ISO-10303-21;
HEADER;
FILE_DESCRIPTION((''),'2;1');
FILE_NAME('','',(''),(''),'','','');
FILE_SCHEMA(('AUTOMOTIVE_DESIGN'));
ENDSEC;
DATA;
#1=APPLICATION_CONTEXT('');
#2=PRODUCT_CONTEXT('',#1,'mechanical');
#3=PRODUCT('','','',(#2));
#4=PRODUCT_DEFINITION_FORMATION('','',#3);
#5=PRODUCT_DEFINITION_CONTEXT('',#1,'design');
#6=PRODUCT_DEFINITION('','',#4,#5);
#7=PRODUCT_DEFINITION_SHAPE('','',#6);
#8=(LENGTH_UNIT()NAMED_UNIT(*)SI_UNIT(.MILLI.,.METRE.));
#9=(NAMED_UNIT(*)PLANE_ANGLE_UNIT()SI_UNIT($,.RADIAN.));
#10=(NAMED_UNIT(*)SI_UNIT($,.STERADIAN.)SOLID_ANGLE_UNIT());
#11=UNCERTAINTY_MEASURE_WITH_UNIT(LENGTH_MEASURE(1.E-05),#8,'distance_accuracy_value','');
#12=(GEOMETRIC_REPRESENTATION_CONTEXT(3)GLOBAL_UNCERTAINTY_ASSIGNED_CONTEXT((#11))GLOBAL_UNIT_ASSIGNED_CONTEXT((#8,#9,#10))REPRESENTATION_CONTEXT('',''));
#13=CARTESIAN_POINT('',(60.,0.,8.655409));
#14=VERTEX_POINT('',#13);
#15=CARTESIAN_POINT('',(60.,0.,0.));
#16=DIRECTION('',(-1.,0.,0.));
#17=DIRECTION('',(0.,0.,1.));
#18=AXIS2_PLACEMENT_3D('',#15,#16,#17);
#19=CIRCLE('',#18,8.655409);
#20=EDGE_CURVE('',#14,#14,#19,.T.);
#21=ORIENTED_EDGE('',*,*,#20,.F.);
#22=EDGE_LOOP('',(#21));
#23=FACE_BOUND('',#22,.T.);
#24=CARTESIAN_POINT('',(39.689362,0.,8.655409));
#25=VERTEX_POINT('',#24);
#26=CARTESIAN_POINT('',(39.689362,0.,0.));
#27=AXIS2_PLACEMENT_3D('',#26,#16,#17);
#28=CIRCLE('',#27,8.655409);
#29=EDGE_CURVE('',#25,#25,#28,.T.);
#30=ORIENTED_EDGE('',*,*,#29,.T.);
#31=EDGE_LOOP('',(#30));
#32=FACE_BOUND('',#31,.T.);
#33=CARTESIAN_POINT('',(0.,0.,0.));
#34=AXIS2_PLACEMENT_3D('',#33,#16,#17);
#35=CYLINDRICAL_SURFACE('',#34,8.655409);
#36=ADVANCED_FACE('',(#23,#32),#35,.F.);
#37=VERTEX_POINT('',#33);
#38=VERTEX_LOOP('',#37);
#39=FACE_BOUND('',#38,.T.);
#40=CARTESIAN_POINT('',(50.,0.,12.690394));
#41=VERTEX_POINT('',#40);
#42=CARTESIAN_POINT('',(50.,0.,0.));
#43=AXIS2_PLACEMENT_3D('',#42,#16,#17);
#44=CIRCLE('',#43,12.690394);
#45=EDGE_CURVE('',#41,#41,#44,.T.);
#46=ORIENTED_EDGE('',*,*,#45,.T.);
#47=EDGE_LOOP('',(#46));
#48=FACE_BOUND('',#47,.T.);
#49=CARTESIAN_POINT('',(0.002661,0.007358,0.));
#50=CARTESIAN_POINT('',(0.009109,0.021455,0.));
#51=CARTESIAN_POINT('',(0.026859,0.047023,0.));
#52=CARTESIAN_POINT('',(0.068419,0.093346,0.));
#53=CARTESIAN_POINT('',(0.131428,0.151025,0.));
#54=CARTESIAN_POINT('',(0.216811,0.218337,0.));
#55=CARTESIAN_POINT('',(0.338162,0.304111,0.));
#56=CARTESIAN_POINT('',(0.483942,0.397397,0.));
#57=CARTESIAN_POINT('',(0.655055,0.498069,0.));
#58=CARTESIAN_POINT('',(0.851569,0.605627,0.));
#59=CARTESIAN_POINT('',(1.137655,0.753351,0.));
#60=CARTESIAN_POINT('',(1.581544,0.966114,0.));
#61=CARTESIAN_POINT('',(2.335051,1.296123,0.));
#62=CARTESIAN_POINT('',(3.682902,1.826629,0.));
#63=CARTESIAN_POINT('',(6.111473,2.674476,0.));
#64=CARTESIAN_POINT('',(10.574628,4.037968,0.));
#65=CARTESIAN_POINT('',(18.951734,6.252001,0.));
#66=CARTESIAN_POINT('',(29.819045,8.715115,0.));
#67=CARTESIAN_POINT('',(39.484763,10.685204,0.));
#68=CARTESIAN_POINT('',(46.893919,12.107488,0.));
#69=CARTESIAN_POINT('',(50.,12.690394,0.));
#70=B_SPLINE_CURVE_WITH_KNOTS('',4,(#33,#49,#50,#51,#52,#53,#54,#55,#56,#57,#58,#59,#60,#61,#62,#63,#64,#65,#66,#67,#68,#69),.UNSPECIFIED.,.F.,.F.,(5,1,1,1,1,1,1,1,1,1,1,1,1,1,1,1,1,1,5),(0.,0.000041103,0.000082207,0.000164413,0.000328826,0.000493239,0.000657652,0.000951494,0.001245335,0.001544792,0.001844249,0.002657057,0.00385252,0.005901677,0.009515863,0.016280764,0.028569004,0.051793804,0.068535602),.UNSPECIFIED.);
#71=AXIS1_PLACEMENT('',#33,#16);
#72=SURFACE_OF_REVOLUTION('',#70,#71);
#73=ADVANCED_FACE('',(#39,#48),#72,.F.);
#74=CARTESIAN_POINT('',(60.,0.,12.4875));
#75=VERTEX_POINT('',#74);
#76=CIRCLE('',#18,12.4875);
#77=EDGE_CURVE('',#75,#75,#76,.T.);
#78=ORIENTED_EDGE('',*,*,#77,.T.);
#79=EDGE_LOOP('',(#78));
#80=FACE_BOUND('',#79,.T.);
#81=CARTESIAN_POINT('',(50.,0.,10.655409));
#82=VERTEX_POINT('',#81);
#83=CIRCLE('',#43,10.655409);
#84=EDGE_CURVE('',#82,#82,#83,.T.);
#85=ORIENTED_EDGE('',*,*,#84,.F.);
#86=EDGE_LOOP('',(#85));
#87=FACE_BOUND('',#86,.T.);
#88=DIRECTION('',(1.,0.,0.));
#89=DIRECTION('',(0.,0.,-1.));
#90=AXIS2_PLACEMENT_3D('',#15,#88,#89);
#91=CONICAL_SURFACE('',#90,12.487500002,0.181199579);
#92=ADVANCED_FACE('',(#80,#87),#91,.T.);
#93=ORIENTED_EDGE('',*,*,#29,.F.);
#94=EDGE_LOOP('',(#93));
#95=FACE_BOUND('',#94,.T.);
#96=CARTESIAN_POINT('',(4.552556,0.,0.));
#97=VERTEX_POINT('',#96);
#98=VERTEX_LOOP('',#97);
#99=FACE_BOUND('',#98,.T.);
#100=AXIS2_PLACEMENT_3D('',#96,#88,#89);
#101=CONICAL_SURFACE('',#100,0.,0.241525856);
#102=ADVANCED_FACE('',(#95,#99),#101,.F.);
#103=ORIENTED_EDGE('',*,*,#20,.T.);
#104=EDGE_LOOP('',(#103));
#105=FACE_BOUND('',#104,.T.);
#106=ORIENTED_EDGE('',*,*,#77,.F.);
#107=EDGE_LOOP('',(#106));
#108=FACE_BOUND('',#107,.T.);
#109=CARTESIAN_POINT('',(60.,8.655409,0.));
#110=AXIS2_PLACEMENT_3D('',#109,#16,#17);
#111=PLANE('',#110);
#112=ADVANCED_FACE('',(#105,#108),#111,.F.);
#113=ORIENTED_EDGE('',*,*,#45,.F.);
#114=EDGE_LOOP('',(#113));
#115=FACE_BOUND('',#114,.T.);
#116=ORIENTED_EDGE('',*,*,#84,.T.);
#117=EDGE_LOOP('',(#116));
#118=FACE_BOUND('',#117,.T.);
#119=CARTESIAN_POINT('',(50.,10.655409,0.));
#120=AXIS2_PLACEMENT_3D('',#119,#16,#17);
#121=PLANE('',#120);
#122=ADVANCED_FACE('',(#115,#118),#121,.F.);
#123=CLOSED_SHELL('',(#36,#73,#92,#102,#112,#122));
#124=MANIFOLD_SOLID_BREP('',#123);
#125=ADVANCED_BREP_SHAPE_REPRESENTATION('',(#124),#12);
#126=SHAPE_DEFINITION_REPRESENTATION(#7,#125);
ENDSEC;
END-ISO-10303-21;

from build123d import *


with BuildPart() as part:
    # Sketch3 → Revolve2 (revolve)
    with BuildSketch(Plane.XY, mode=Mode.PRIVATE) as revolve2_sk:
        with BuildLine():
            Line((60, 8.655408996), (60, 12.487500002))
            Line((60, 12.487500002), (50, 10.655408996))
            Line((50, 10.655408996), (50, 12.690393655))
            add(Edge.make_bspline(
                [(0, 0), (0.002661369, 0.00735768), (0.009108664, 0.021455176), (0.026858739, 0.047022825), (0.06841925, 0.093346235), (0.131428409, 0.1510252), (0.216810716, 0.21833703), (0.338162364, 0.304110587), (0.48394243, 0.397396692), (0.655054985, 0.498068807), (0.851568565, 0.605626998), (1.137654509, 0.753350528), (1.581543682, 0.966113556), (2.335050733, 1.296122672), (3.682901567, 1.826629283), (6.111473252, 2.674476309), (10.574628301, 4.037968264), (18.951733743, 6.252001296), (29.81904523, 8.715114583), (39.484763039, 10.685203545), (46.893919131, 12.107488124), (50, 12.690393655)],
                knots=[0, 0, 0, 0, 0, 4.1103e-05, 8.2207e-05, 0.000164413, 0.000328826, 0.000493239, 0.000657652, 0.000951494, 0.001245335, 0.001544792, 0.001844249, 0.002657057, 0.00385252, 0.005901677, 0.009515863, 0.016280764, 0.028569004, 0.051793804, 0.068535602, 0.068535602, 0.068535602, 0.068535602, 0.068535602], degree=4))
            Line((0, 0), (4.552555597, 0))
            Line((4.552555597, 0), (39.689361591, 8.655408996))
            Line((39.689361591, 8.655408996), (60, 8.655408996))
        make_face()
    revolve(revolve2_sk.sketch.rotate(Axis((0, 0, 0), (1, 0, 0)), 90), axis=Axis((0, 0, 0), (1, 0, 0)))


solid = part.part
